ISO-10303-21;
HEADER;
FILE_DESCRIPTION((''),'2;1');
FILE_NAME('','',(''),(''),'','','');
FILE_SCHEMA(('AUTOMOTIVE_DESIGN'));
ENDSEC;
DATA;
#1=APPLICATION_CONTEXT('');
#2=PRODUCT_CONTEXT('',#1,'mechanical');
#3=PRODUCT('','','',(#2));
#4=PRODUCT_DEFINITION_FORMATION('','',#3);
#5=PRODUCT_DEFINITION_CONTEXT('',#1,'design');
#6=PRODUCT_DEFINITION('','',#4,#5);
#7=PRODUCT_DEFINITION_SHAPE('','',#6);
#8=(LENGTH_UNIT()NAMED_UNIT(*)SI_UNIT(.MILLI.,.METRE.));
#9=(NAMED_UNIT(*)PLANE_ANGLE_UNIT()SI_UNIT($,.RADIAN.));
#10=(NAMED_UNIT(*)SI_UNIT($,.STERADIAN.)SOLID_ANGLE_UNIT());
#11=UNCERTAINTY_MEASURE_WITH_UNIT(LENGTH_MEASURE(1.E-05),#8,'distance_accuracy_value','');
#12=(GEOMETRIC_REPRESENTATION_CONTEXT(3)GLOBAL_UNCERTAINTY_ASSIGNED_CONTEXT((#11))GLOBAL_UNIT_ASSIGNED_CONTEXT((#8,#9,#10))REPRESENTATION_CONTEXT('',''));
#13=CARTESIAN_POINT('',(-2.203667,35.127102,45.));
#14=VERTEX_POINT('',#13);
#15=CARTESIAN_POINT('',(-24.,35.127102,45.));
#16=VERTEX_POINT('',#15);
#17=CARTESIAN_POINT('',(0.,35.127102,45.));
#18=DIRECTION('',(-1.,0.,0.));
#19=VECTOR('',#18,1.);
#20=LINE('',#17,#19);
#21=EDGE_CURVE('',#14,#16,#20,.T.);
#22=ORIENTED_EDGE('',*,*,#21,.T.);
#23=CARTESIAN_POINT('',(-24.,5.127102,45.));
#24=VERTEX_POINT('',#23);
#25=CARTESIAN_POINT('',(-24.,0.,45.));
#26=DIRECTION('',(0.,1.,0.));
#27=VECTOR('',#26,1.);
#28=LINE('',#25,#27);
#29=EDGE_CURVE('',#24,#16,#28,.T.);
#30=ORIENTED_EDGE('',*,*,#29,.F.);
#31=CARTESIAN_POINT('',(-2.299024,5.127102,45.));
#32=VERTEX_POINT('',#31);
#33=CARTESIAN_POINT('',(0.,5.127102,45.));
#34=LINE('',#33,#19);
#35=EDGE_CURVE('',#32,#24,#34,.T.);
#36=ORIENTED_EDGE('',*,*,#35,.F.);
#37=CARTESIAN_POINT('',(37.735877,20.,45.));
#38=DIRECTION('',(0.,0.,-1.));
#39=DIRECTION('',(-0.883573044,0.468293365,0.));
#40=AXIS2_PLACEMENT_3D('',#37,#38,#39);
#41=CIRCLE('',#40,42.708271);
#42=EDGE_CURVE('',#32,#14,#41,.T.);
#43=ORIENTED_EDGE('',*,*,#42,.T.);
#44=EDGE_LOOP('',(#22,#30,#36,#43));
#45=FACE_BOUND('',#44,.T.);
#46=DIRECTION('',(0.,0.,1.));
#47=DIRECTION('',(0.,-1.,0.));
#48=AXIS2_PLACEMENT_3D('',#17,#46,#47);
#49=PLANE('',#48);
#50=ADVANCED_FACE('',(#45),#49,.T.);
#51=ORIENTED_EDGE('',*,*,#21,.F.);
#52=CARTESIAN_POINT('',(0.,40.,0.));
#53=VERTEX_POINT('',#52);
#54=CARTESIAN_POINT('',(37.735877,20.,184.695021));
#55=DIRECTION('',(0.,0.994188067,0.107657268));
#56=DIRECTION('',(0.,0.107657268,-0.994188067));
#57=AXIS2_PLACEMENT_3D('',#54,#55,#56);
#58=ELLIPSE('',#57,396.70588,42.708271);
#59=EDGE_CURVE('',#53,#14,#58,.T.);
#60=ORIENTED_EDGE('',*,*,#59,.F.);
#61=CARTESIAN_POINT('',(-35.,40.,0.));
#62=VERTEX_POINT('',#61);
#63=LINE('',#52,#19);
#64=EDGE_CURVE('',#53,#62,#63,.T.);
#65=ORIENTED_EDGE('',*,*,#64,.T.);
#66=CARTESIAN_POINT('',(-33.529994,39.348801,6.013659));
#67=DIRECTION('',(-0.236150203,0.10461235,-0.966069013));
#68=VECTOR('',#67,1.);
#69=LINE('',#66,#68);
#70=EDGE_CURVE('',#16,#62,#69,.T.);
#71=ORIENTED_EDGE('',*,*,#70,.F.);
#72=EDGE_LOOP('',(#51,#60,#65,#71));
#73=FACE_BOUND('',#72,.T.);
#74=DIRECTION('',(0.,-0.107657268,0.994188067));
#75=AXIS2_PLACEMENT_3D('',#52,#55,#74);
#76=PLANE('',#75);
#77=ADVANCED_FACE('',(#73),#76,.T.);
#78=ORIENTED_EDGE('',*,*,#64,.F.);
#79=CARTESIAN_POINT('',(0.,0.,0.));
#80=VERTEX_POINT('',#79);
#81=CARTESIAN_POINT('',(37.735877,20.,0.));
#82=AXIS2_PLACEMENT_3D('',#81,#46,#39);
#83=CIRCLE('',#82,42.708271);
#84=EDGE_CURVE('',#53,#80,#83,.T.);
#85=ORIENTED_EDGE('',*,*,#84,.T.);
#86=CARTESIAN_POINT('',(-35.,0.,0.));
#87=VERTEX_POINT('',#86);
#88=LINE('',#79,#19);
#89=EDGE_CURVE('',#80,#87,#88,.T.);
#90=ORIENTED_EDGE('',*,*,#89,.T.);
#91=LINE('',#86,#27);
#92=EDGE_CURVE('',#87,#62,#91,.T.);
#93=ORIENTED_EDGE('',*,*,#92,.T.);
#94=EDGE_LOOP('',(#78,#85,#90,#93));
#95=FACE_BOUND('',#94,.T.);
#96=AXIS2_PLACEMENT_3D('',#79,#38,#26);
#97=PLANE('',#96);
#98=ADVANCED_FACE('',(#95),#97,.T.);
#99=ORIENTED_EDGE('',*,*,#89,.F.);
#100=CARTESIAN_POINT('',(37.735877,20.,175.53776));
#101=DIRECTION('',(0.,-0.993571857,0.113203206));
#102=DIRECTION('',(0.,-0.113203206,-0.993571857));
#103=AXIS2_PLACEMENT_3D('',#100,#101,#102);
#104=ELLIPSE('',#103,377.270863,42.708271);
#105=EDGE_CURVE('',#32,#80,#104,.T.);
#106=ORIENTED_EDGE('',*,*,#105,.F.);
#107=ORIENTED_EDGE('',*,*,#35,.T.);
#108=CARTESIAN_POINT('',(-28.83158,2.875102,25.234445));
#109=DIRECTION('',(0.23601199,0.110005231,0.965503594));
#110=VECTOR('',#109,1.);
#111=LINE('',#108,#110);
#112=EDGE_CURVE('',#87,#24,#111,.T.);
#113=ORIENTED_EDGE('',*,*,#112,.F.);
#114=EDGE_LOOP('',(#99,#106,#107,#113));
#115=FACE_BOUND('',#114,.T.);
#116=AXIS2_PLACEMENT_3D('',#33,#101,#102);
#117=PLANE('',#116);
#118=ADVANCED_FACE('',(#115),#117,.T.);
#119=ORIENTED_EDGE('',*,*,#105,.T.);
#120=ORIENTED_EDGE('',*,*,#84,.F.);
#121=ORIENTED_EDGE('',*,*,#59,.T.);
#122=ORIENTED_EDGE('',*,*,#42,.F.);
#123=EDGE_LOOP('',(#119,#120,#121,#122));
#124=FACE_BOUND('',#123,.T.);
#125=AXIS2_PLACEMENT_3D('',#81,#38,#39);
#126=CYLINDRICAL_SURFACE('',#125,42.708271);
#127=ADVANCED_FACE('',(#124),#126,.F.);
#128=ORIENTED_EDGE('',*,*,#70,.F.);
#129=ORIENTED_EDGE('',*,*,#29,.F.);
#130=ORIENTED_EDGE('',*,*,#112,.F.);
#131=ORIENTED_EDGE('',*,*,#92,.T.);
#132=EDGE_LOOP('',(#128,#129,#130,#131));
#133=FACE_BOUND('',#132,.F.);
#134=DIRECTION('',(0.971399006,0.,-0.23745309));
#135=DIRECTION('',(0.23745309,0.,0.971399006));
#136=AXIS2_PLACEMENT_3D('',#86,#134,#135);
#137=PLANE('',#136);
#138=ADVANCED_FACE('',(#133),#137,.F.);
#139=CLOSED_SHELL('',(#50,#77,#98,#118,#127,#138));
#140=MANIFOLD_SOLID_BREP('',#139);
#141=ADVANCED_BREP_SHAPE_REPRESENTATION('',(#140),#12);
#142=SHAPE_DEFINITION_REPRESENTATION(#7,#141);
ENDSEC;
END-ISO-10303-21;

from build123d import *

# Parameters (mm, degrees)
F1_DEPTH = 35
F3_DEPTH = 40.001
F5_DEPTH = 45.001


with BuildPart() as f1:
    # F0 (on Right) → F1 (new body)
    with BuildSketch(Plane.YZ):
        Polygon((5.127102, 45), (0, 0), (40, 0), (35.127102, 45), align=None)
    extrude(amount=-F1_DEPTH)

    # F2 (on Front) → F3 (cut, through all)
    with BuildSketch(Plane.XZ):
        Polygon((-35, 45), (-35, 0), (-24, 45), align=None)
    extrude(amount=-F3_DEPTH, mode=Mode.SUBTRACT)

    # F4 (on Top) → F5 (cut, through all)
    with BuildSketch(Plane.XY):
        with BuildLine():
            Line((0, 0), (0, 40))
            ThreePointArc((0, 40), (-4.972394, 20), (0, 0))
        make_face()
    extrude(amount=F5_DEPTH, mode=Mode.SUBTRACT)


solid = f1.part
